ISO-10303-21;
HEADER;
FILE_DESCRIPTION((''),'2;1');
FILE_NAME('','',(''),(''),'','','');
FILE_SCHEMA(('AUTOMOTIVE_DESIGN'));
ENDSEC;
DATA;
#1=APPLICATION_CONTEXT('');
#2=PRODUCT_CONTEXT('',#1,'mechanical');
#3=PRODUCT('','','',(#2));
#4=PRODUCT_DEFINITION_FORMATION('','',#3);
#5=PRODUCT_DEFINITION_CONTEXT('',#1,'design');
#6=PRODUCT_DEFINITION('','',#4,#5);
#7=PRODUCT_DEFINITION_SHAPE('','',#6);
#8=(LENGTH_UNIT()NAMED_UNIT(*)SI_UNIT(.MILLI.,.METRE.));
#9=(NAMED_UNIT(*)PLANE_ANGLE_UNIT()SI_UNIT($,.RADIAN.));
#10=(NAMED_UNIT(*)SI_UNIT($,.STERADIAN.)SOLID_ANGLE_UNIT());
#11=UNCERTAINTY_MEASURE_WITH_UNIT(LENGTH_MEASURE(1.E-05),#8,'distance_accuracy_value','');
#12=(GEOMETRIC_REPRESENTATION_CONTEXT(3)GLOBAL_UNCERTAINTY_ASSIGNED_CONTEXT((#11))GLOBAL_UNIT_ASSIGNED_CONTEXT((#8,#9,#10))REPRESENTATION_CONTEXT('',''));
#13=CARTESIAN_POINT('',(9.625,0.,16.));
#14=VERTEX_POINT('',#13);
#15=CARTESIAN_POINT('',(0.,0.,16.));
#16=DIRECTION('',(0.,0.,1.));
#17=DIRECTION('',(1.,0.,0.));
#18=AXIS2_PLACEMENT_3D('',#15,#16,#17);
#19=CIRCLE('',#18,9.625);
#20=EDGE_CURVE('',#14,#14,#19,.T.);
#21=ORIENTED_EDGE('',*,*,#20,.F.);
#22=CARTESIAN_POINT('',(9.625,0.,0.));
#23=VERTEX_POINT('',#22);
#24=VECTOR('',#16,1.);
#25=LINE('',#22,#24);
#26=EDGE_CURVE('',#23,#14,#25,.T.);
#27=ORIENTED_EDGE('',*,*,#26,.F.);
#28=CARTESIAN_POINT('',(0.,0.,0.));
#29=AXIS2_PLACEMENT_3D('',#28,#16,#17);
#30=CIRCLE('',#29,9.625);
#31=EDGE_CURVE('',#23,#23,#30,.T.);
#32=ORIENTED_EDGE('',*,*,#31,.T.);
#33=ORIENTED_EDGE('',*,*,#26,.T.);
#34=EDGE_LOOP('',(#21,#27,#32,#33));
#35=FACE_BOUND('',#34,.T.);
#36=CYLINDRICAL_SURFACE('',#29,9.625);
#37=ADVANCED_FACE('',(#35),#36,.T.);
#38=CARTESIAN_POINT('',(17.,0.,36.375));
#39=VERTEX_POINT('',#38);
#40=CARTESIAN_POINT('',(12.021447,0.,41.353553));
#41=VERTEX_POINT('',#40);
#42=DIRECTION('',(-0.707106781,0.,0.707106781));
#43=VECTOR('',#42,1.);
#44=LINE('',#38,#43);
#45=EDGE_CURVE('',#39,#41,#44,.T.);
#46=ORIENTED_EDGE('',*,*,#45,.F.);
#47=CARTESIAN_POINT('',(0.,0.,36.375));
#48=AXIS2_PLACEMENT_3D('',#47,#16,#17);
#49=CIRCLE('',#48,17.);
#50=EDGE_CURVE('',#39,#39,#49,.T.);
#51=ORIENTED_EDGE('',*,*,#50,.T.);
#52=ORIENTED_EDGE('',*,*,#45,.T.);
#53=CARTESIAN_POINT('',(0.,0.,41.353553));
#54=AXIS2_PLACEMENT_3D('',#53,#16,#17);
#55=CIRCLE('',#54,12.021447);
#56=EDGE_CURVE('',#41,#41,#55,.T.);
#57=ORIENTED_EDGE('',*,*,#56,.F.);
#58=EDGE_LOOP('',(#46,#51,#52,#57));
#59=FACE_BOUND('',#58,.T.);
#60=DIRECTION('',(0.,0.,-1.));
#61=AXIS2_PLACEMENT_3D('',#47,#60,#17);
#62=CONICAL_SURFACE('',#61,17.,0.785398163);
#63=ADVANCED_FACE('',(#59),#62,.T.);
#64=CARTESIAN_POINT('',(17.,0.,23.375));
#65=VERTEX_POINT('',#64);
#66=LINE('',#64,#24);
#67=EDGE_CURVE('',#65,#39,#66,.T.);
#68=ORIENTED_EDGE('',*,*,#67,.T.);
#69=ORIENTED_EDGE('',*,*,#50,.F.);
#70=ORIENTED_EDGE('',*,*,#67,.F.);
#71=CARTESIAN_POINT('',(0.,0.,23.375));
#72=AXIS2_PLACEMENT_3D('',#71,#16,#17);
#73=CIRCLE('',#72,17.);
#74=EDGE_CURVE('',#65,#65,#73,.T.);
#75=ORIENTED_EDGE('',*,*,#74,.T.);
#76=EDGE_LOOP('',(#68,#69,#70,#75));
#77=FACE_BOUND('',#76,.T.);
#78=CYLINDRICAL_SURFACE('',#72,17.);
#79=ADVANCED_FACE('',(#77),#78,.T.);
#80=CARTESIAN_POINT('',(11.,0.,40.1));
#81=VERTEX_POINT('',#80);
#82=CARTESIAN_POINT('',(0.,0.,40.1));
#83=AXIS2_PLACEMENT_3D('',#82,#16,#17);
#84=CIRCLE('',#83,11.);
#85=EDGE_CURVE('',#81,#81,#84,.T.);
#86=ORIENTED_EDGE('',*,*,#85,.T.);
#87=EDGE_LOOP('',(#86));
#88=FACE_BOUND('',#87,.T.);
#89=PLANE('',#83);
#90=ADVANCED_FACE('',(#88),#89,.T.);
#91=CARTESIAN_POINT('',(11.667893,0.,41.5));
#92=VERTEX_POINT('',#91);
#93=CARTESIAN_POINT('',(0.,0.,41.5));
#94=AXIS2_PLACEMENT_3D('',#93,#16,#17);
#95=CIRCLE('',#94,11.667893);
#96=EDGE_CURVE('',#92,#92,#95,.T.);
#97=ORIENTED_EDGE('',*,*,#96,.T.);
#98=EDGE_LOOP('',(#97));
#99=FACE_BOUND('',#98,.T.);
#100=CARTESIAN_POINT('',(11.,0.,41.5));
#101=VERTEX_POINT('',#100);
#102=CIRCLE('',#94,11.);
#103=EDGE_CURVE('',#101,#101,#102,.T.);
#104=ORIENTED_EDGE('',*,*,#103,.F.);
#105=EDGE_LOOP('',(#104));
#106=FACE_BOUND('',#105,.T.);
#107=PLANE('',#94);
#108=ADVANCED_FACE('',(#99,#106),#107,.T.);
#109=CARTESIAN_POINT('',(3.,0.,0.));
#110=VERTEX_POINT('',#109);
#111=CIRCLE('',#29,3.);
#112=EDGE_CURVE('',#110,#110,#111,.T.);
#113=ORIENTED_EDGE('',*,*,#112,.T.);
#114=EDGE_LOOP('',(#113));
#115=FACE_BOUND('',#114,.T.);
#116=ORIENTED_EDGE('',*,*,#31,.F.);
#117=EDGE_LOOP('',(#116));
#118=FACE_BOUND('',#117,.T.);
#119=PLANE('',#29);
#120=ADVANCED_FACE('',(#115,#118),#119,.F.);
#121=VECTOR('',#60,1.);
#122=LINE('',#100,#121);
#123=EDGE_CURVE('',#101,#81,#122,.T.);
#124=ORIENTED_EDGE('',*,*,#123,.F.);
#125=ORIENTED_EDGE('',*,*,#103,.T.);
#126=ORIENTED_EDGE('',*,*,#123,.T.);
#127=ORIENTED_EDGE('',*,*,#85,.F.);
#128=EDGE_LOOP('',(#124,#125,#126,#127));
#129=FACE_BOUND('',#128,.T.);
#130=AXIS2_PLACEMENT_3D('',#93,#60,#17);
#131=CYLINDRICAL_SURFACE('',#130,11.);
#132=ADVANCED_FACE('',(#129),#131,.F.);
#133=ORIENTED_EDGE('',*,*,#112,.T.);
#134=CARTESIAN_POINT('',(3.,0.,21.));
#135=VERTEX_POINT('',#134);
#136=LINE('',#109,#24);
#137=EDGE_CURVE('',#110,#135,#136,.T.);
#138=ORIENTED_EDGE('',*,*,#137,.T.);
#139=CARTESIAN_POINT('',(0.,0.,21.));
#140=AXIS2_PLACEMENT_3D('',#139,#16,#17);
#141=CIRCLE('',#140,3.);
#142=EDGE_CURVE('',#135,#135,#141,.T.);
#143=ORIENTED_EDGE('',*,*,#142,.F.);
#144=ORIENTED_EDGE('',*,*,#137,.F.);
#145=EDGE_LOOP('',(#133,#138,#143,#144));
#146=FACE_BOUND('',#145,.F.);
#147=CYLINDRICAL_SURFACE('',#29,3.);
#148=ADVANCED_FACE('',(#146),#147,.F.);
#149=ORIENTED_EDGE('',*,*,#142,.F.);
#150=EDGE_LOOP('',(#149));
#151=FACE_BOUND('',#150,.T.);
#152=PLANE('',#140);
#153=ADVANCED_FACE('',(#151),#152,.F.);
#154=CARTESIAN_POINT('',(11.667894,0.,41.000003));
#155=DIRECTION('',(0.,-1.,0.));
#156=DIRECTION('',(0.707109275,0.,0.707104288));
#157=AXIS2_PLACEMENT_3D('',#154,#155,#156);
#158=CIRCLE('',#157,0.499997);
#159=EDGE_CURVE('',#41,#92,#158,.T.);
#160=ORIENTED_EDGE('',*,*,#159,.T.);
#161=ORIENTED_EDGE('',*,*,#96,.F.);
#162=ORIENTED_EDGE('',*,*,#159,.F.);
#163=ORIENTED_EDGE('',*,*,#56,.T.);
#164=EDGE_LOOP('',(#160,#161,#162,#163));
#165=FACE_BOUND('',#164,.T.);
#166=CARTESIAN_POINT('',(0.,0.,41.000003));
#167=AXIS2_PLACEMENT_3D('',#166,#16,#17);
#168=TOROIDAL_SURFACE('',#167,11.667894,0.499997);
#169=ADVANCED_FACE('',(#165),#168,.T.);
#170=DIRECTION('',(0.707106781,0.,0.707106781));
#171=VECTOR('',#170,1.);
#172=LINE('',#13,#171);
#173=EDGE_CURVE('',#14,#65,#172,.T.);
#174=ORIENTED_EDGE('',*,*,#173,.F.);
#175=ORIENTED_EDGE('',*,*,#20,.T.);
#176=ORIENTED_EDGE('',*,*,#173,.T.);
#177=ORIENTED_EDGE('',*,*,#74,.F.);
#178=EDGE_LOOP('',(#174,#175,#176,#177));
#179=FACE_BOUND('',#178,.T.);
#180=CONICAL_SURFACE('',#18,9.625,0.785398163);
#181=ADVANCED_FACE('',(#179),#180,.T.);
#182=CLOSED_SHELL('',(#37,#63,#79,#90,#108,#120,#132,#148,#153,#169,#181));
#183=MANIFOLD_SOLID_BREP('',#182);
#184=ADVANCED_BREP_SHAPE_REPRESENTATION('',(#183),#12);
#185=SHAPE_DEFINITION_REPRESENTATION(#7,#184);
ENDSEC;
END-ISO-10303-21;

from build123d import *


with BuildPart() as part:
    # Sketch → Revolution (revolve)
    with BuildSketch(Plane.XZ):
        with BuildLine():
            Line((3, 0), (3, 21))
            Line((0, 21), (3, 21))
            Line((0, 40.1), (0, 21))
            Line((11, 40.1), (0, 40.1))
            Line((11, 41.5), (11, 40.1))
            Line((11.667893, 41.5), (11, 41.5))
            ThreePointArc((12.021447, 41.353553), (11.859235, 41.46194), (11.667893, 41.5))
            Line((17, 36.375), (12.021447, 41.353553))
            Line((17, 23.375), (17, 36.375))
            Line((9.625, 16), (17, 23.375))
            Line((9.625, 0), (9.625, 16))
            Line((3, 0), (9.625, 0))
        make_face()
    revolve(axis=Axis((0, 0, 0), (0, 0, 1)))


solid = part.part
